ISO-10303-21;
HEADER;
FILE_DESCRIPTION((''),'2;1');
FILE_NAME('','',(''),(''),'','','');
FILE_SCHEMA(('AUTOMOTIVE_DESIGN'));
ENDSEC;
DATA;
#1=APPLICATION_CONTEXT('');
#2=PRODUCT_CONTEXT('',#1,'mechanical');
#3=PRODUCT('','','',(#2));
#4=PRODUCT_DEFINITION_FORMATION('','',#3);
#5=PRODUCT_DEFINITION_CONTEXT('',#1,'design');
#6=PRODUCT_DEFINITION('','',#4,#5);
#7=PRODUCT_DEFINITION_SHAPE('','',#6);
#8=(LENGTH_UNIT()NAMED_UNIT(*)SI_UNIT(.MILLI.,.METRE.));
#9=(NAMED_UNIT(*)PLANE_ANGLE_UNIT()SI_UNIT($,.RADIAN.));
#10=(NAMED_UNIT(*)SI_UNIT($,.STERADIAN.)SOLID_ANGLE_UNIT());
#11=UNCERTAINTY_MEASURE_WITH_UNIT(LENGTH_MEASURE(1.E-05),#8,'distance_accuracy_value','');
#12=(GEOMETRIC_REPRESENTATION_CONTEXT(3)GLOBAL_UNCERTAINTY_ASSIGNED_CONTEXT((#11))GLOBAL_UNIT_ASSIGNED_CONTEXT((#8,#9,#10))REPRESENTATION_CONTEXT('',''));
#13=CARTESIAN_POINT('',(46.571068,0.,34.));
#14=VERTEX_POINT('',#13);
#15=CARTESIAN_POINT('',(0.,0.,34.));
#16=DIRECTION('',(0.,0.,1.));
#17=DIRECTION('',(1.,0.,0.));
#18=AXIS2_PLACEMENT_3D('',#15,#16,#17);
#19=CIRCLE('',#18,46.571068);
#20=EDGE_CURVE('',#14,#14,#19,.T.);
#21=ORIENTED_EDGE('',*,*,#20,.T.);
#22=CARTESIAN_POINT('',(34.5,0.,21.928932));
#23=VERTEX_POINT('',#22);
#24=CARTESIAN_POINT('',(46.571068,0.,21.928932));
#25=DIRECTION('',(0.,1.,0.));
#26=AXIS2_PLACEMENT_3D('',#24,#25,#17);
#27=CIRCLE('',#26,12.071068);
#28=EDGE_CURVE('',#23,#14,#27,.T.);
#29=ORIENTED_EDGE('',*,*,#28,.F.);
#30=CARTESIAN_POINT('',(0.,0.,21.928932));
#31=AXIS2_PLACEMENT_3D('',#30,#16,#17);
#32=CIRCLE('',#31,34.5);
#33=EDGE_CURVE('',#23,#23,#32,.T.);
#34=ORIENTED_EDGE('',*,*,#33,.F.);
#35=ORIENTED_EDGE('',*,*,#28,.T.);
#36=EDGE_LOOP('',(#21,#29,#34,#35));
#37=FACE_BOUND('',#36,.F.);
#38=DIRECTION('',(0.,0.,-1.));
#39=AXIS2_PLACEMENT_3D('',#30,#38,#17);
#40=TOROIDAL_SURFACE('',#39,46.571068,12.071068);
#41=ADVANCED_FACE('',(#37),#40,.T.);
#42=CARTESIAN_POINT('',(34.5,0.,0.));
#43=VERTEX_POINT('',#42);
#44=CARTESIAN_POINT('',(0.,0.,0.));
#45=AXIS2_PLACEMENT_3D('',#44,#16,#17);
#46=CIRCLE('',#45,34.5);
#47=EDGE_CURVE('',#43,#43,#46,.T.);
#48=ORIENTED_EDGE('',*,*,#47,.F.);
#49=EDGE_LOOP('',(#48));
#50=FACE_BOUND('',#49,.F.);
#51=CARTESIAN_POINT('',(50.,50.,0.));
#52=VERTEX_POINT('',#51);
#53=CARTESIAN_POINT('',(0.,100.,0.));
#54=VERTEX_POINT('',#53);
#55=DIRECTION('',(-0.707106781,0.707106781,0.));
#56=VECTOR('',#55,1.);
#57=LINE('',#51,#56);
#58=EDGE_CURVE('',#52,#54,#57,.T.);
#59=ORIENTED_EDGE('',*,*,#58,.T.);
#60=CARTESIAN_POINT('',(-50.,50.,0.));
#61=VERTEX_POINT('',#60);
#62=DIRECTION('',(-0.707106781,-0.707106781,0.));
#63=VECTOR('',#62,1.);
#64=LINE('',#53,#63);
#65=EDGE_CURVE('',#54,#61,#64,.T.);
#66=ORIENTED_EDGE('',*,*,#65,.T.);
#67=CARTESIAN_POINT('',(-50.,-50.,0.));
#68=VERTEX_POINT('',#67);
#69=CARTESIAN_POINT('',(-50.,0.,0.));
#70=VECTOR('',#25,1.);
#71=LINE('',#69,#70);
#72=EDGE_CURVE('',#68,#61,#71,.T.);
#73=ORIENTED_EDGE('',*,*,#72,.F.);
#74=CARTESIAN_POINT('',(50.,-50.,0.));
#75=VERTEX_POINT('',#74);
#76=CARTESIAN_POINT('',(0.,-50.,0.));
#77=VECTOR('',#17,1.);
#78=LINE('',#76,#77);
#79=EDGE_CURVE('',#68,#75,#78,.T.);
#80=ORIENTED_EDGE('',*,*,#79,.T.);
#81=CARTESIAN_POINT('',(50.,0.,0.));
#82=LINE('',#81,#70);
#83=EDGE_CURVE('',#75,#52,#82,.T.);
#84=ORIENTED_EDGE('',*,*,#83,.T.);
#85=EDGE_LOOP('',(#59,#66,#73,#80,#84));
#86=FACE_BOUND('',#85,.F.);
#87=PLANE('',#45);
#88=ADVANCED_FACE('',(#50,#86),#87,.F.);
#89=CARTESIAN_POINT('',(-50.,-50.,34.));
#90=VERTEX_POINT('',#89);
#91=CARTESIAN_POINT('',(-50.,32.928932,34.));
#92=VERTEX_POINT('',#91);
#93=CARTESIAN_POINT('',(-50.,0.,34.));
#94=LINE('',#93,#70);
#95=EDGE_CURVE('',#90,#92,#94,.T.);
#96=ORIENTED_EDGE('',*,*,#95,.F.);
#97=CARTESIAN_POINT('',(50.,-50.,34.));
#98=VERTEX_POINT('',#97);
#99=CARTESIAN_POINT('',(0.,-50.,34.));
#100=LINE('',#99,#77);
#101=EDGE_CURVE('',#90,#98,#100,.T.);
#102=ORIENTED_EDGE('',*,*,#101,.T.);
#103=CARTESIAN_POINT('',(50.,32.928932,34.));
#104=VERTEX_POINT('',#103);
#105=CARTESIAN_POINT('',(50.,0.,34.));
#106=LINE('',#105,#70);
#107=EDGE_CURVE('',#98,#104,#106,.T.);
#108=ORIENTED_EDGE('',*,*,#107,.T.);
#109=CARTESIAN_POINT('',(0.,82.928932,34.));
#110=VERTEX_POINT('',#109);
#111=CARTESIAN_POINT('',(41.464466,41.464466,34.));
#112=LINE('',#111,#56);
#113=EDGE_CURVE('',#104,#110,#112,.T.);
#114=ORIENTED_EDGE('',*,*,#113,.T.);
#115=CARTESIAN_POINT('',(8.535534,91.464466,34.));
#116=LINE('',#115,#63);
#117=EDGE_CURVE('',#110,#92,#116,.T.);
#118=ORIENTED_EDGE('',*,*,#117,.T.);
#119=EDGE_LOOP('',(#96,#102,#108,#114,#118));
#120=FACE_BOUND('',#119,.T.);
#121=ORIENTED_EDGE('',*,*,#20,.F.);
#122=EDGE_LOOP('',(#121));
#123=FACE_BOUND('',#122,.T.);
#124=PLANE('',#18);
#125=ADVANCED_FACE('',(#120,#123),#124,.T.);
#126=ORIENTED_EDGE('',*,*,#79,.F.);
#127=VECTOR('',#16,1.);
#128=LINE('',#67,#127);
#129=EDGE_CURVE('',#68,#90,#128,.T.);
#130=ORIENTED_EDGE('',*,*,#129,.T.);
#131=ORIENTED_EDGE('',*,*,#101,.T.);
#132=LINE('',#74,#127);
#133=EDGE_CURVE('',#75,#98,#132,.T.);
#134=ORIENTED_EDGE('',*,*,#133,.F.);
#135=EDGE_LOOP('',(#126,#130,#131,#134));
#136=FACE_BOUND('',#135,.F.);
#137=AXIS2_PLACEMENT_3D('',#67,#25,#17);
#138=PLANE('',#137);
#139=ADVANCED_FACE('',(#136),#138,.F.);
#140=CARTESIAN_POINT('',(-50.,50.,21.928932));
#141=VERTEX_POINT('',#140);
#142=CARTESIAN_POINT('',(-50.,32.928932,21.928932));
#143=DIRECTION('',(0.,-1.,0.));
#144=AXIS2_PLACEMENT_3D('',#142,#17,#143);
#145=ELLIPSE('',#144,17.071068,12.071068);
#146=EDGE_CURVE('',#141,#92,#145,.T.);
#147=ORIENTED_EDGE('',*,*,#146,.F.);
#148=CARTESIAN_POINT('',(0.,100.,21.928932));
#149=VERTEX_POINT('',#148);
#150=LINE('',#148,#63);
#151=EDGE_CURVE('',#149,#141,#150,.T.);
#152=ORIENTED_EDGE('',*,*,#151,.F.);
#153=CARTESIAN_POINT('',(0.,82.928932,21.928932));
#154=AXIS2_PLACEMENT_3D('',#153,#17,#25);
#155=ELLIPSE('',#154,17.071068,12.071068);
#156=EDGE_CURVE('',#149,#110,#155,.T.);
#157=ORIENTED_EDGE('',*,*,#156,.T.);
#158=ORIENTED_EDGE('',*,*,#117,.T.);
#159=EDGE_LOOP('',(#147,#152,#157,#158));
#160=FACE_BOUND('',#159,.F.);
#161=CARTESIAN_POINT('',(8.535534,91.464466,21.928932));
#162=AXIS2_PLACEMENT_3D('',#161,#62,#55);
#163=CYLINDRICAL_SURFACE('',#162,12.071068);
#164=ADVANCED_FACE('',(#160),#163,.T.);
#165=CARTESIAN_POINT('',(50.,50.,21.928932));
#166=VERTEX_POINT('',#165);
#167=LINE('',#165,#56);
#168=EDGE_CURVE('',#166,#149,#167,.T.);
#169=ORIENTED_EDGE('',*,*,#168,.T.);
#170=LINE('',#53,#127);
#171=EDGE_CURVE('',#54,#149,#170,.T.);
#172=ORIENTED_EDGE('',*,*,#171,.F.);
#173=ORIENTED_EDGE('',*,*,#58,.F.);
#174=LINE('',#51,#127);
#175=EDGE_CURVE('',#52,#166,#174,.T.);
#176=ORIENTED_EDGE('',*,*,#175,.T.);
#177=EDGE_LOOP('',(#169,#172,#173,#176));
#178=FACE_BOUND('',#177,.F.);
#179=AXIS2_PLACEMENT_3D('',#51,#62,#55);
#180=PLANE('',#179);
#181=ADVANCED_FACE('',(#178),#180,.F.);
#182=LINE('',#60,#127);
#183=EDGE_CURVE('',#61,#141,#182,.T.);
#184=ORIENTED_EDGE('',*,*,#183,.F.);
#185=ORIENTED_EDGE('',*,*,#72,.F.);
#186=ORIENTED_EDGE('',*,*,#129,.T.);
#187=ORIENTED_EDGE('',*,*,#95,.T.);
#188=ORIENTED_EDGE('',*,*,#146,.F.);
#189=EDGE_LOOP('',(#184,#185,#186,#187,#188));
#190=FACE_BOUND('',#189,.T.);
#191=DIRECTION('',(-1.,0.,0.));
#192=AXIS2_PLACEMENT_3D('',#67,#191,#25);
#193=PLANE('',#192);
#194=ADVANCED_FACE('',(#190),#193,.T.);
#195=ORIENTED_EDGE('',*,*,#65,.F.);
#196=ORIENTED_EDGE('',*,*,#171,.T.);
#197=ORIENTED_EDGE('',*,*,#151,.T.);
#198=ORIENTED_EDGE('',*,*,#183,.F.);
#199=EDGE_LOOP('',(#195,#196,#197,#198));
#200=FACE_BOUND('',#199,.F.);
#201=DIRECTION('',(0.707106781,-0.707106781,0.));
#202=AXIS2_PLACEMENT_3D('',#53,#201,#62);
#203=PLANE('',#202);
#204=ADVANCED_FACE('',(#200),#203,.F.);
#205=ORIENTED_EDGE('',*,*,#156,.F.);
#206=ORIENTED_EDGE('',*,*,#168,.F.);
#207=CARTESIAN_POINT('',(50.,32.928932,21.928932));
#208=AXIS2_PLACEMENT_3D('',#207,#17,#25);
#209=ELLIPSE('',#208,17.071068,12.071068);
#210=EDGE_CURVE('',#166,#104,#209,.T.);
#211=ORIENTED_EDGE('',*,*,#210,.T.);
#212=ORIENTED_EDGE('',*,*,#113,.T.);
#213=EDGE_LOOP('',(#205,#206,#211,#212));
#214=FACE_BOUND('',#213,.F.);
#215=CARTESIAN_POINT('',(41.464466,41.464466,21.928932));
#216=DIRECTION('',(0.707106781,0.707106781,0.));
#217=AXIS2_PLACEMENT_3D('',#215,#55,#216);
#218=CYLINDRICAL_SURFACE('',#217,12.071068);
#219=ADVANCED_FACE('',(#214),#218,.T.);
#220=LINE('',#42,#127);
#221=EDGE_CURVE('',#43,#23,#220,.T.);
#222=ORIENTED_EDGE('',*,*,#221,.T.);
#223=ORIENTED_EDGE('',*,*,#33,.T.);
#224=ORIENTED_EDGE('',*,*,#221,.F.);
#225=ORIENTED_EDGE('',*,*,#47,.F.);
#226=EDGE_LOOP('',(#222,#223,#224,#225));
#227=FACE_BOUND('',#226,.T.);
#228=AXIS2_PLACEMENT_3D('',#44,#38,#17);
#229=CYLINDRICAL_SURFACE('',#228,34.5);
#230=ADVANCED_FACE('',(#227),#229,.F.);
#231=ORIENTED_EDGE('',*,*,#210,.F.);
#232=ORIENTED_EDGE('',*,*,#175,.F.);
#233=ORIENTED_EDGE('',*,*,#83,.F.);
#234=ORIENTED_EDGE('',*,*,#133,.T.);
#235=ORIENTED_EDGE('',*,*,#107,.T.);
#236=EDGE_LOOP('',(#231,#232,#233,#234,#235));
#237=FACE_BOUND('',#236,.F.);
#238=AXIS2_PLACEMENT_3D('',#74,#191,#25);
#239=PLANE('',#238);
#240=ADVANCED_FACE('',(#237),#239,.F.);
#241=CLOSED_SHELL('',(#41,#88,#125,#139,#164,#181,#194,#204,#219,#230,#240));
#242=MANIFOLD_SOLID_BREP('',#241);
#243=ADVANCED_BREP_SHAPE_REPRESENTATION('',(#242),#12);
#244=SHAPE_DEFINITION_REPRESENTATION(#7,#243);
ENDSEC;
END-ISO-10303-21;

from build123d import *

# Parameters (mm, degrees)
F0_W     = 100
F0_H     = 100
F0_R     = 34.5
F1_DEPTH = 34
F2_R     = 12.071068


with BuildPart() as f1:
    # F0 (on Top) → F1 (new body)
    with BuildSketch(Plane.XY):
        Rectangle(F0_W, F0_H)
        Circle(F0_R, mode=Mode.SUBTRACT)
        Polygon((0, 100), (-50, 50), (50, 50), align=None)
    extrude(amount=F1_DEPTH)

    # F2
    f2_edges = [f1.edges().sort_by_distance(p)[0] for p in [
        (-34.5, 0, 34),
        (25, 75, 34),
        (-25, 75, 34),
    ]]
    fillet(f2_edges, radius=F2_R)


solid = f1.part
